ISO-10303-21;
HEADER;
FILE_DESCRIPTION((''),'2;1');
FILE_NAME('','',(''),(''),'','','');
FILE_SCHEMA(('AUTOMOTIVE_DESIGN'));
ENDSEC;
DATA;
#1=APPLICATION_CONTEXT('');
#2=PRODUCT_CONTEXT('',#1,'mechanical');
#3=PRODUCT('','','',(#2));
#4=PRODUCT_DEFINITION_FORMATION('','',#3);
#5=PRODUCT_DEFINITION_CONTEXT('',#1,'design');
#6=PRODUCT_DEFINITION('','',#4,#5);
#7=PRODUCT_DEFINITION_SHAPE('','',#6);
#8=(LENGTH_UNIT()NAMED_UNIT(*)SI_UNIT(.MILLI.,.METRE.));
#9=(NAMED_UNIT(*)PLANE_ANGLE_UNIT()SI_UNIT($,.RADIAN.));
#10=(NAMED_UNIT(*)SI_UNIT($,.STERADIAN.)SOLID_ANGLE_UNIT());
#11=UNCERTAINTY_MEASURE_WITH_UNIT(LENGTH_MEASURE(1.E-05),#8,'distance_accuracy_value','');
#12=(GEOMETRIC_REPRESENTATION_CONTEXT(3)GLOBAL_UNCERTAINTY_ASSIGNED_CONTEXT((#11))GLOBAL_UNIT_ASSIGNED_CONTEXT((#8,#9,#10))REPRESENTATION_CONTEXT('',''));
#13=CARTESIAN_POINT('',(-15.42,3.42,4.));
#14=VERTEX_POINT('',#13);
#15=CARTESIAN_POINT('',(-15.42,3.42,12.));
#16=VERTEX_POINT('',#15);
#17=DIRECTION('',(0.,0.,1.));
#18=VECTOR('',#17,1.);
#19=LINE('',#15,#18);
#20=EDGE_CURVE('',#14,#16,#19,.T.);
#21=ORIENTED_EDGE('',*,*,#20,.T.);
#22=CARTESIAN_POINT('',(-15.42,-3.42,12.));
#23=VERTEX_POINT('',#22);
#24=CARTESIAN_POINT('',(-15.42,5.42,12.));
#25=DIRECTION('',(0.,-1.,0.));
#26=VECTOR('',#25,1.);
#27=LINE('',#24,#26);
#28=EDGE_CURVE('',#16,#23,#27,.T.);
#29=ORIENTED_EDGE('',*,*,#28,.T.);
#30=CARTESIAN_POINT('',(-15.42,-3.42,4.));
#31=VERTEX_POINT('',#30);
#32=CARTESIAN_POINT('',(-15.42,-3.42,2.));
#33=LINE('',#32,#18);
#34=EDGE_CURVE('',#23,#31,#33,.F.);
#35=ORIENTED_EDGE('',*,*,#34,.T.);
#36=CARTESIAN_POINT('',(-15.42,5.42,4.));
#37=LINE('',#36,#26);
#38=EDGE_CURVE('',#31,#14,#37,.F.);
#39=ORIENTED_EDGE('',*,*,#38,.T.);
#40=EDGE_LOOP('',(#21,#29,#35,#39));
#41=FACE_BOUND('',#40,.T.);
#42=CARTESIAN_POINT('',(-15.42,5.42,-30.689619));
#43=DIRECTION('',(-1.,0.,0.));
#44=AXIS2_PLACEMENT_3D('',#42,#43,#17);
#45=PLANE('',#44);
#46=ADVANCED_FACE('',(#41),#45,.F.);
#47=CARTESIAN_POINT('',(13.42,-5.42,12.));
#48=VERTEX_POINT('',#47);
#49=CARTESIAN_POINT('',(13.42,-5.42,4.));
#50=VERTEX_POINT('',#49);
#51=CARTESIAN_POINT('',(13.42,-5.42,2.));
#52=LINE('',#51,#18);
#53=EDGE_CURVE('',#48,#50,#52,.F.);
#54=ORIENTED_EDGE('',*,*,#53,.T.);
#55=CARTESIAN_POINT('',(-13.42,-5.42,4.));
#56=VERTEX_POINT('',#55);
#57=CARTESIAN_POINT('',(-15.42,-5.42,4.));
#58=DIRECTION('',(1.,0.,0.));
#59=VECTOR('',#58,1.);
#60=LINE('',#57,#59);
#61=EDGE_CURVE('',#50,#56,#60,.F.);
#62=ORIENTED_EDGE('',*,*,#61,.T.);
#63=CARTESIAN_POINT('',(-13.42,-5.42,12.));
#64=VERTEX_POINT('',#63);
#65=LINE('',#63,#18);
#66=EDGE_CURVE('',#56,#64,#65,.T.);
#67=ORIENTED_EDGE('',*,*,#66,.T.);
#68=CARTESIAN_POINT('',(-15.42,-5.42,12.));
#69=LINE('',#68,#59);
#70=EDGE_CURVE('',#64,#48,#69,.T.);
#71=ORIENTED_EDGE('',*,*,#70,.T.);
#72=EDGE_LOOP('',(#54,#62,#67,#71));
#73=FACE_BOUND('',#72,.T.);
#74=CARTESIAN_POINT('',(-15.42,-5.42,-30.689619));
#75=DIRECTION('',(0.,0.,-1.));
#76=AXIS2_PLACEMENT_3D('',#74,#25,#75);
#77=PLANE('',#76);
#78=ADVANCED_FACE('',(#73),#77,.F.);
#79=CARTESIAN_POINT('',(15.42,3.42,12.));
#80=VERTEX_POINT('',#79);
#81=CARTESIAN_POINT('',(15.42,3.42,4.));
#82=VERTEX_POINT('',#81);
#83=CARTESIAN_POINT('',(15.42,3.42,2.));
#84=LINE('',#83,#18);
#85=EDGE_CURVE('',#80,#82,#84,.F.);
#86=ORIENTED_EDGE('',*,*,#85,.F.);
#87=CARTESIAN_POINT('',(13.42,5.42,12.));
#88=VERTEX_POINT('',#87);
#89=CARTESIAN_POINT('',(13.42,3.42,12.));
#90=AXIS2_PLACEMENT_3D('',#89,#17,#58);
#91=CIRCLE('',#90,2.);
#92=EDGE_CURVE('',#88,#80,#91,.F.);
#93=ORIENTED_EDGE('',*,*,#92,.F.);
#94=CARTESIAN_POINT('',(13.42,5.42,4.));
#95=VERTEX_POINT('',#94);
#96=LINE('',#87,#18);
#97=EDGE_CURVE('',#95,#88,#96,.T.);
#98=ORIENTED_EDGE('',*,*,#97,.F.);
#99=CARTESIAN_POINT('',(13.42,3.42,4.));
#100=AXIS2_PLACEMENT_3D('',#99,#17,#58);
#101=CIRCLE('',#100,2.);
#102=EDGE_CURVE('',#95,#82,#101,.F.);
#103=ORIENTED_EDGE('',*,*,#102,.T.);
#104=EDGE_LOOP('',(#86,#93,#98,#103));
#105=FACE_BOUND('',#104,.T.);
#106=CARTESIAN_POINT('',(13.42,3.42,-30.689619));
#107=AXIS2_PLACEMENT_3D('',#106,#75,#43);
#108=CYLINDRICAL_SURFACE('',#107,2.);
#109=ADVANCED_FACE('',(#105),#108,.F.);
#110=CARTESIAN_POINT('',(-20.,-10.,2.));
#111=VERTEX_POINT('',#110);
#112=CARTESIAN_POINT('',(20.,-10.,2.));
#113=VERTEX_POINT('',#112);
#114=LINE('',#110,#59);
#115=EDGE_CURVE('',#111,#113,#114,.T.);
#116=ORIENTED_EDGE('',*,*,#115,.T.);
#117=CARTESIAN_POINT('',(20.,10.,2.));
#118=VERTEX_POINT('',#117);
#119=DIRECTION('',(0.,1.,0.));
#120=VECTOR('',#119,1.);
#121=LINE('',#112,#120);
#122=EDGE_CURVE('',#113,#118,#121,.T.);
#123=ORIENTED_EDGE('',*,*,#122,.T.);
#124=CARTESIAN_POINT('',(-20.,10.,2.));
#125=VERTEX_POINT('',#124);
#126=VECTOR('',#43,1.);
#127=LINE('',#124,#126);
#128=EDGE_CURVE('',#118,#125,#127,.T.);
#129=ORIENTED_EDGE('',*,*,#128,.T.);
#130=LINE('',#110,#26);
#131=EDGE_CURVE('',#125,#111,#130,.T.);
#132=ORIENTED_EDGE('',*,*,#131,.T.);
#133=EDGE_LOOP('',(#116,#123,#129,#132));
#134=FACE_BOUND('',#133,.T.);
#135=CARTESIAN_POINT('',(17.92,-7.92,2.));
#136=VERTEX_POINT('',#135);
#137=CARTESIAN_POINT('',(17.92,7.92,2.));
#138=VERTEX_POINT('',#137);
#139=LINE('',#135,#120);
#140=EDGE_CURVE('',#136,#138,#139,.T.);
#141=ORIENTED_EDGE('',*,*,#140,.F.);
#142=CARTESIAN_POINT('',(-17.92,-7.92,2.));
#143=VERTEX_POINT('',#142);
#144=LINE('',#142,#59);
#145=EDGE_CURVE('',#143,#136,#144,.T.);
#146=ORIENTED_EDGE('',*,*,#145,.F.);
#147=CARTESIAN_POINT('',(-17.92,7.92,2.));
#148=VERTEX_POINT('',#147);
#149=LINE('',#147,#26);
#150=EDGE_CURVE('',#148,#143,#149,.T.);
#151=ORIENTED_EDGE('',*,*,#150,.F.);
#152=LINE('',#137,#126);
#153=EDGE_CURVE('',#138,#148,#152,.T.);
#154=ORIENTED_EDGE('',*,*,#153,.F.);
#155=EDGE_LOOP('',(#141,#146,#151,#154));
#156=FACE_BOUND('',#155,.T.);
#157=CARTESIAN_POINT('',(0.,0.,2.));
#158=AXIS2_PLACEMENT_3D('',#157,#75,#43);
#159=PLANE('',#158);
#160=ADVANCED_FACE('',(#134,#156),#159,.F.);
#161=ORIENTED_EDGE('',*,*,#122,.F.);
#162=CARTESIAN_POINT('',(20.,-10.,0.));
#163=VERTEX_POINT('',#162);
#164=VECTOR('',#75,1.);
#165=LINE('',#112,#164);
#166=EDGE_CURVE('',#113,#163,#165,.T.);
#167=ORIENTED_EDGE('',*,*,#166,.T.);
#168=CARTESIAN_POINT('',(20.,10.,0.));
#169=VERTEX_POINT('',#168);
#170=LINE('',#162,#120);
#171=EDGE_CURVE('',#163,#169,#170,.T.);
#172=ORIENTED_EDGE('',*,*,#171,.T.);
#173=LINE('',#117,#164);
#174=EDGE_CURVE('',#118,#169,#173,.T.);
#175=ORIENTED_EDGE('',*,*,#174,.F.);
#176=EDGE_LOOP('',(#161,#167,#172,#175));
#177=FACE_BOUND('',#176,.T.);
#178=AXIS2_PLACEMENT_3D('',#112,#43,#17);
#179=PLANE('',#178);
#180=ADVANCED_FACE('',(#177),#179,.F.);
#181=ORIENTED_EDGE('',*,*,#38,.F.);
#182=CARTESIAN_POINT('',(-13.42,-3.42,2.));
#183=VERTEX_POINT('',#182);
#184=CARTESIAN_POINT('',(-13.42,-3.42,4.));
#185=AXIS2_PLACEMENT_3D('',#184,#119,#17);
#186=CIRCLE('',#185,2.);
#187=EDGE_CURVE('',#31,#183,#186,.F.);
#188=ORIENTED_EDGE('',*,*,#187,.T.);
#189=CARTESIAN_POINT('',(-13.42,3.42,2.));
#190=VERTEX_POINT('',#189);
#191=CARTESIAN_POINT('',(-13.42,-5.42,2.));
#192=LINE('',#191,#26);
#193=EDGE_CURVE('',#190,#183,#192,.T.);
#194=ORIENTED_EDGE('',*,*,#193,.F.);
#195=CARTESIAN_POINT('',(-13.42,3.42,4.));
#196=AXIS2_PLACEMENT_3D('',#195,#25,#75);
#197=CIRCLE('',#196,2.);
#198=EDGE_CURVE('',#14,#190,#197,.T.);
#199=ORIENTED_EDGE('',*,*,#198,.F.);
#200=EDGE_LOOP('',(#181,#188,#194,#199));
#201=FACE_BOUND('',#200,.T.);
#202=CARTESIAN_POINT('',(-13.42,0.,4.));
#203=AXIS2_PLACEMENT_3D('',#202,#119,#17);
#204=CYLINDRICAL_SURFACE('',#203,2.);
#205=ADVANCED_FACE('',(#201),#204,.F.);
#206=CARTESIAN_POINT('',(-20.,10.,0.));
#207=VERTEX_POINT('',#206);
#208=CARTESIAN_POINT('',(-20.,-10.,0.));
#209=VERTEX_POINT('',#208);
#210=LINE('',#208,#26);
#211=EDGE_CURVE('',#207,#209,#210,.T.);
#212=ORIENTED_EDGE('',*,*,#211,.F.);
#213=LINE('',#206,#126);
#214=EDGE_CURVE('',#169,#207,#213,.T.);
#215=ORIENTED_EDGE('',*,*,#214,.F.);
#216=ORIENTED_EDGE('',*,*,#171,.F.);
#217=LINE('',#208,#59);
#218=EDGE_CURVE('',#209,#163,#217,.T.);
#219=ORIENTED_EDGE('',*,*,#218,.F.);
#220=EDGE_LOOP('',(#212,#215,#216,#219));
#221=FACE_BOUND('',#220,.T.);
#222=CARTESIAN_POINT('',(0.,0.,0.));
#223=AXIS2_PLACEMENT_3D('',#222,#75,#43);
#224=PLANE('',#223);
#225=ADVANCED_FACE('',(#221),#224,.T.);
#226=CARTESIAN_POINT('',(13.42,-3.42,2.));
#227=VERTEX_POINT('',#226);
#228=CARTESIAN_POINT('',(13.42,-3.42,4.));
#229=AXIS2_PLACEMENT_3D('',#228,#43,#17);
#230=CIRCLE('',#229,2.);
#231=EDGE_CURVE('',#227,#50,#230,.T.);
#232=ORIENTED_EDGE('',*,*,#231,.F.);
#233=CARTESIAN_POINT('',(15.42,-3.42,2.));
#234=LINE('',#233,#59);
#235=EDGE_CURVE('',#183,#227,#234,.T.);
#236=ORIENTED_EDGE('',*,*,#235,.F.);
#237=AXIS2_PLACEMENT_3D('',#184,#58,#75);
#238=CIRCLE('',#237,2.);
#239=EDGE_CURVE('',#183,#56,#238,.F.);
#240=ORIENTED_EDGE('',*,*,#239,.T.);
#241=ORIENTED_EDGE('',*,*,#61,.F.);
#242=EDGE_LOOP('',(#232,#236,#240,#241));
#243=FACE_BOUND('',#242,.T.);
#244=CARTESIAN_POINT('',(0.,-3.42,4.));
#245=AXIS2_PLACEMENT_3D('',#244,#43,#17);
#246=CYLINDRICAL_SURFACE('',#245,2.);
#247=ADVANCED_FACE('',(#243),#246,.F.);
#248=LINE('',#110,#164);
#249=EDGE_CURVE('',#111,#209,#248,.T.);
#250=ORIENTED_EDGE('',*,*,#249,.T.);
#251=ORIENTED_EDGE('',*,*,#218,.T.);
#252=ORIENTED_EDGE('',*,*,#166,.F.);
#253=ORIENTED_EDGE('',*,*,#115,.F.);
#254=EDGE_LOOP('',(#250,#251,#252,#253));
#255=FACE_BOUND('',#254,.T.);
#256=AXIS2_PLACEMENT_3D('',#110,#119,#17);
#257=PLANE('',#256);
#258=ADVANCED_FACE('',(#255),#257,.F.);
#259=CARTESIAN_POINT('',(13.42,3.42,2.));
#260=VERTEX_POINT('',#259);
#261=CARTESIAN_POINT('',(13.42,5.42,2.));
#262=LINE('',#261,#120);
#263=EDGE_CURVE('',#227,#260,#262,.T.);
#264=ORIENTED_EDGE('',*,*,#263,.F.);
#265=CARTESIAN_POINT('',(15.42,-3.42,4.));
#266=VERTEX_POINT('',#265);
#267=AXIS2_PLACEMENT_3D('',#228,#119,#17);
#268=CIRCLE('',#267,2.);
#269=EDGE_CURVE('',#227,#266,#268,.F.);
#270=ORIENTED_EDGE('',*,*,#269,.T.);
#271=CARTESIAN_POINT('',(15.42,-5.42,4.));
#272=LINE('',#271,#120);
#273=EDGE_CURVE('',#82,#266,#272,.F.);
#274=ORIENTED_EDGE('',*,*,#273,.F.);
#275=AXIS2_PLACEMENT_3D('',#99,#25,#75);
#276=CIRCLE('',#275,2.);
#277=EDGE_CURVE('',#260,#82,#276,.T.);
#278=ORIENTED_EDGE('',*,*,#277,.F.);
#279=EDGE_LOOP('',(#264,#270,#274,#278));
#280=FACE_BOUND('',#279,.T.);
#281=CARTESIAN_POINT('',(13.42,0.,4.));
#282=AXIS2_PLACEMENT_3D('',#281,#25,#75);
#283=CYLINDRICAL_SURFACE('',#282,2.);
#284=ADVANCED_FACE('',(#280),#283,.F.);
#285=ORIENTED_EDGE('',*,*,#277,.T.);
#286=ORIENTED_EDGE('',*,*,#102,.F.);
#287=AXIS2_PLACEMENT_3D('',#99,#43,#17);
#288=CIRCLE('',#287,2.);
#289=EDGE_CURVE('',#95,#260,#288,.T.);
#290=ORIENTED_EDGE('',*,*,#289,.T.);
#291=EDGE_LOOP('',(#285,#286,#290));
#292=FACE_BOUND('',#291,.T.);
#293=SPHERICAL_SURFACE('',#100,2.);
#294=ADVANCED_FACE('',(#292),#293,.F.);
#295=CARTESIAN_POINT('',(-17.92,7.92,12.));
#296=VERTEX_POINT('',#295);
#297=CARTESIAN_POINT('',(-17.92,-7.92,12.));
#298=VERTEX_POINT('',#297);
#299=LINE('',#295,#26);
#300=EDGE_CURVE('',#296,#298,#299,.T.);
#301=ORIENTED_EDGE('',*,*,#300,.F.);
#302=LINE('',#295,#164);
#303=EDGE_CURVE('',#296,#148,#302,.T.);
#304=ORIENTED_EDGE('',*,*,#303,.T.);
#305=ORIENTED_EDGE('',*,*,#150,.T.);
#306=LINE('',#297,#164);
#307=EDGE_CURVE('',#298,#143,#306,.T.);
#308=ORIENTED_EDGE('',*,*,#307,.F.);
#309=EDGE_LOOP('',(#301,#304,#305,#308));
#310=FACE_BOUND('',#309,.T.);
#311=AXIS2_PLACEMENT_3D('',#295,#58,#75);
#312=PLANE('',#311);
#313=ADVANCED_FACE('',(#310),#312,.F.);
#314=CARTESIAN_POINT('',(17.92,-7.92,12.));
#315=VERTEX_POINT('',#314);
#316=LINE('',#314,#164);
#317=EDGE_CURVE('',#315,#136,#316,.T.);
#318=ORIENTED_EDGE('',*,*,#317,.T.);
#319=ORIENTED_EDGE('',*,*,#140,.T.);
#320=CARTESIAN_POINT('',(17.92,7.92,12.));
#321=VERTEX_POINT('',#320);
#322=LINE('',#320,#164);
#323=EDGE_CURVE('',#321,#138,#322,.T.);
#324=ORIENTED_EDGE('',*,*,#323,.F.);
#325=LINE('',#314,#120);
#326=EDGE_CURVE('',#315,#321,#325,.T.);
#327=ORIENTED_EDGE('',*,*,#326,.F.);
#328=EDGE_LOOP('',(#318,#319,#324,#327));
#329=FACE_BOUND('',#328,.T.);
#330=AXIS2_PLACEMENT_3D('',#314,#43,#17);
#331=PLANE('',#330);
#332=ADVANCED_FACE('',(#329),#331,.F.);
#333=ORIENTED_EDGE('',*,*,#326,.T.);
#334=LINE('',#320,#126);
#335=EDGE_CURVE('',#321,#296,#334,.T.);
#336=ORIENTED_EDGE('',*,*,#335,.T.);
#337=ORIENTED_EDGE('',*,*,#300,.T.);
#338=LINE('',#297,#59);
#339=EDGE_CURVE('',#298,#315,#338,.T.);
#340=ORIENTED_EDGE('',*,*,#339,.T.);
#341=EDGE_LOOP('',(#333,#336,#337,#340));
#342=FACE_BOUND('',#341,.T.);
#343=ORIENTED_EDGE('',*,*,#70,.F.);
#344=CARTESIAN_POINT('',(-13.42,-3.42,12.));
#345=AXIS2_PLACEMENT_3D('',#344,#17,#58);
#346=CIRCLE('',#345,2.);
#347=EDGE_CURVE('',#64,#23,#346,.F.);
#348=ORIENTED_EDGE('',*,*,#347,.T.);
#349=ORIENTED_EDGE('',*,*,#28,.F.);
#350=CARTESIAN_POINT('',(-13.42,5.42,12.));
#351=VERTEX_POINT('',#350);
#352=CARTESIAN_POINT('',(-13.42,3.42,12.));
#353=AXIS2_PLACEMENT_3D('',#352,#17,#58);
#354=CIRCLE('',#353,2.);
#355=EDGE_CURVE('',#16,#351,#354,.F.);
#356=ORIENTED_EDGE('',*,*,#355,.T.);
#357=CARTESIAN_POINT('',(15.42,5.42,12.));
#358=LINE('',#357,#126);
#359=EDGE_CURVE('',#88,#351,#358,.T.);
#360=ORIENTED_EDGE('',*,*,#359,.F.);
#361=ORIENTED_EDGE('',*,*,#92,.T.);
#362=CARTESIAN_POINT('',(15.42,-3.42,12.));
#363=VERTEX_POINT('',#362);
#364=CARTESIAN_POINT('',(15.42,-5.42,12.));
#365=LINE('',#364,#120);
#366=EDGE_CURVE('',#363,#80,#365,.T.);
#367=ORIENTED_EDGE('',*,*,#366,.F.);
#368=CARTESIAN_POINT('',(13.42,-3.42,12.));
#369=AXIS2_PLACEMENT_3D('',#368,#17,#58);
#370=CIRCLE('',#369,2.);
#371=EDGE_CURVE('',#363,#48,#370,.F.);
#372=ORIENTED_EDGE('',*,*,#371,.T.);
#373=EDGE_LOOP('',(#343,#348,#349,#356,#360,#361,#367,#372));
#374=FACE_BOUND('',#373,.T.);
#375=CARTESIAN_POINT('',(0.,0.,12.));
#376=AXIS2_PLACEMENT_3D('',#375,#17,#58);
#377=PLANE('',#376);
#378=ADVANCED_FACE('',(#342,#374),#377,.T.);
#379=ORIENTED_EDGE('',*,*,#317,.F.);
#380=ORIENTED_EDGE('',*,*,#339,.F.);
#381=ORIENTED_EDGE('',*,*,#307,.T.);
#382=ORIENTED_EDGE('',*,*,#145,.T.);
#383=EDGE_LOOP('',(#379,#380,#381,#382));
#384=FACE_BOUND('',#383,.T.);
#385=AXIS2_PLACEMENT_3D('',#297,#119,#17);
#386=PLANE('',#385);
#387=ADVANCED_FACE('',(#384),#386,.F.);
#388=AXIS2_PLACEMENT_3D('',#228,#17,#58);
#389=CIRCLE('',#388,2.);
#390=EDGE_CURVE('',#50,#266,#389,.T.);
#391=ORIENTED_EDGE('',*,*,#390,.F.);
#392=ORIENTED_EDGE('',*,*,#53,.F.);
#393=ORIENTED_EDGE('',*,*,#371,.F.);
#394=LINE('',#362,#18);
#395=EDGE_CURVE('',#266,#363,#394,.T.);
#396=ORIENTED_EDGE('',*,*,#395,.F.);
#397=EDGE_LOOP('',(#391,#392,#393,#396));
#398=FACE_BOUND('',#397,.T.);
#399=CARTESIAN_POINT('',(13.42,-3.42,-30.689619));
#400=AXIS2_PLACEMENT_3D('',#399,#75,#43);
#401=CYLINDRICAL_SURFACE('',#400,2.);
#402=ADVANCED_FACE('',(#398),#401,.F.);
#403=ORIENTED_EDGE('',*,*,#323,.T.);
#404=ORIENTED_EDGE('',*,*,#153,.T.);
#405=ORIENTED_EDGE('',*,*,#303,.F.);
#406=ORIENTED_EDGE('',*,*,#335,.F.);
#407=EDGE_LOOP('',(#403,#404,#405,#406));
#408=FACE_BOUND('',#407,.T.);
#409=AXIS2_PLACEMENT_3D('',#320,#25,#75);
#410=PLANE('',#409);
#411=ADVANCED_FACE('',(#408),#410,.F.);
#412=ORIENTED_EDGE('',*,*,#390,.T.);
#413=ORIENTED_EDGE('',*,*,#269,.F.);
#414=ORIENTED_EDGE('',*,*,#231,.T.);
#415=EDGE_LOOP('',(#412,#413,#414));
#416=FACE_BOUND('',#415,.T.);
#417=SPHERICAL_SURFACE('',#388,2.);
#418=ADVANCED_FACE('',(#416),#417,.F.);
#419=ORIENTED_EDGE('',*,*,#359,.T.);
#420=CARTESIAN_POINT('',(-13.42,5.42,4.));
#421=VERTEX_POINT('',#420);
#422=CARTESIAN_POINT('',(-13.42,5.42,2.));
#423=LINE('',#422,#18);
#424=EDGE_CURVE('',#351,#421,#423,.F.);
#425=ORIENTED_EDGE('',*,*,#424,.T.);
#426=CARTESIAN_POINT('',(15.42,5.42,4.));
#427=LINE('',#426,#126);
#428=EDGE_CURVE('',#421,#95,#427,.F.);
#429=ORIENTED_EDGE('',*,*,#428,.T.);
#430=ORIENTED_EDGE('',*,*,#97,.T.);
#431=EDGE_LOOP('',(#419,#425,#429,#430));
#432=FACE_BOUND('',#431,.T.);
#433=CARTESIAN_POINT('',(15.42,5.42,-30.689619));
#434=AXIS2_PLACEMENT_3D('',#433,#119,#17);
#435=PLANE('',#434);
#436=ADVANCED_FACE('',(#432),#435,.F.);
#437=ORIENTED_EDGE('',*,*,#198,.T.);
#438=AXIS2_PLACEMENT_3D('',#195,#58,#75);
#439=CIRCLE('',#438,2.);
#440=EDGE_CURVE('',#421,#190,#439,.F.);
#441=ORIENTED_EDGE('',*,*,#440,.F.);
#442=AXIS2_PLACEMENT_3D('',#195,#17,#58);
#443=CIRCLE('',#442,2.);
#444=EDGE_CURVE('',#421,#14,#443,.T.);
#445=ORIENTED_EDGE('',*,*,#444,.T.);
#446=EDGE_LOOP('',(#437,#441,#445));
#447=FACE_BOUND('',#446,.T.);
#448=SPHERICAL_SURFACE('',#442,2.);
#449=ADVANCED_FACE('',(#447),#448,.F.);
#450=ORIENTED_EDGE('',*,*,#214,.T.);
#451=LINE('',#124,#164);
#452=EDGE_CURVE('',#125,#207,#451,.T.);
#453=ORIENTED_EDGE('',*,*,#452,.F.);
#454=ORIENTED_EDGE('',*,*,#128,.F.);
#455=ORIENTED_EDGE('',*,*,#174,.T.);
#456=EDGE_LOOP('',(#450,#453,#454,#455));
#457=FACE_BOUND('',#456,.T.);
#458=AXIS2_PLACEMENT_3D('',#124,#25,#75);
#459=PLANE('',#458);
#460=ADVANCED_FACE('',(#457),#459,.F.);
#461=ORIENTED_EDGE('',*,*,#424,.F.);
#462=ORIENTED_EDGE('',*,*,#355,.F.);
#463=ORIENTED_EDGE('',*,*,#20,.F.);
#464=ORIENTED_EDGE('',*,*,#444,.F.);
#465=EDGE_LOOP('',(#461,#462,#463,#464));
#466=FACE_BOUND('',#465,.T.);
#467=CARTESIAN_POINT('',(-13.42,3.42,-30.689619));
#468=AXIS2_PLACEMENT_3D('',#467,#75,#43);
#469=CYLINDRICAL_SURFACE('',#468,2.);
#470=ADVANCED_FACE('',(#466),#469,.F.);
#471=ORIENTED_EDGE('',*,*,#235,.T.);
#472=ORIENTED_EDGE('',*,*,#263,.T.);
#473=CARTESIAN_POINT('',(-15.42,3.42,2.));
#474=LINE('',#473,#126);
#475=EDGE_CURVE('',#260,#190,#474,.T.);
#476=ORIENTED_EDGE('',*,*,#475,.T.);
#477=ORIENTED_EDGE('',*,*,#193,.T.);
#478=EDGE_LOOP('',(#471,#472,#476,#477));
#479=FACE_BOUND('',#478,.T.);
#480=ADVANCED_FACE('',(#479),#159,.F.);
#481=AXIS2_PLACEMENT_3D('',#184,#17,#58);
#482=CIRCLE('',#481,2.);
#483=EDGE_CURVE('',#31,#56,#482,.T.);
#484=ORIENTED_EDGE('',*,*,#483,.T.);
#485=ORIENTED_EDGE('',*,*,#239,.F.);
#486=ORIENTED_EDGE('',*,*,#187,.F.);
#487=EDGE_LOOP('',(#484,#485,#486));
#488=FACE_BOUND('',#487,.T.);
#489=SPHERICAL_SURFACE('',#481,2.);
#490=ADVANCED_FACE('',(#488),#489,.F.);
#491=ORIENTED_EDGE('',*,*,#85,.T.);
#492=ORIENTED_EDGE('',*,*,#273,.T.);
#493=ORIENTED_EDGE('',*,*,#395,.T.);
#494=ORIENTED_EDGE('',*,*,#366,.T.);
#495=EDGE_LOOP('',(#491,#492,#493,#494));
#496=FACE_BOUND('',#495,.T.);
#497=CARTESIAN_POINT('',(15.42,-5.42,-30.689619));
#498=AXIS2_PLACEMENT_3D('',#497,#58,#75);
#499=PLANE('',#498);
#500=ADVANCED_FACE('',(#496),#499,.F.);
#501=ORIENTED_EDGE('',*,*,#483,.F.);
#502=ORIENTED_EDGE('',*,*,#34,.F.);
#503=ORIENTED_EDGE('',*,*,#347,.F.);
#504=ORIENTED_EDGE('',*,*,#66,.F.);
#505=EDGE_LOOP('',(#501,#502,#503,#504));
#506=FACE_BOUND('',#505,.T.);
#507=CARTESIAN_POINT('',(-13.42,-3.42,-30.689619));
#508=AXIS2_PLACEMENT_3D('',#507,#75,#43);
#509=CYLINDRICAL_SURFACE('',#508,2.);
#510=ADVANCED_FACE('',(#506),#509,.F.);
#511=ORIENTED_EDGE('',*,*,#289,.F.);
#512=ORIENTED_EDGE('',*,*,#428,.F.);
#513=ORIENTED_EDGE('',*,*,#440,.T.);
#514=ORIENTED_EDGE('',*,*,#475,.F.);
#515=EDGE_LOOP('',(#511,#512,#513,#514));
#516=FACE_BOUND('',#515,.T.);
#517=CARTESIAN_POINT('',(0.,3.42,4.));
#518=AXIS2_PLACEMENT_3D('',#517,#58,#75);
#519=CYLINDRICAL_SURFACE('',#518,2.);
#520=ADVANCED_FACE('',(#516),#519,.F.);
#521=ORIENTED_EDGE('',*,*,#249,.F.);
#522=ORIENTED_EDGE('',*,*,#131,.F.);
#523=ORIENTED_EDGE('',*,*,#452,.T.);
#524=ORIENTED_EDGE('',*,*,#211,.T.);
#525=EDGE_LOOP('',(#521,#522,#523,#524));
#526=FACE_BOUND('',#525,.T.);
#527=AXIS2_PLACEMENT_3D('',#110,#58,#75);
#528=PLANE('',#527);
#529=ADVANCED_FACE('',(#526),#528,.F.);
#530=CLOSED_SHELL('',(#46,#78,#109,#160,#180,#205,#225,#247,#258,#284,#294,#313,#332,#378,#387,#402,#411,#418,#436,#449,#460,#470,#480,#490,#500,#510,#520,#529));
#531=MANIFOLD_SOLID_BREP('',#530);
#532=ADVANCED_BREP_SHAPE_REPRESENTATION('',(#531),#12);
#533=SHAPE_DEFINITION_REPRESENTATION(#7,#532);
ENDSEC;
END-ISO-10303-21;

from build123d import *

# Parameters (mm, degrees)
SKETCH1_W           = 40
SKETCH1_H           = 20
BOSS_EXTRUDE1_DEPTH = 2
SKETCH2_W           = 35.84
SKETCH2_H           = 15.84
BOSS_EXTRUDE2_DEPTH = 10
SKETCH4_W           = 30.84
SKETCH4_H           = 10.84
CUT_EXTRUDE1_DEPTH  = 10
FILLET1_R           = 2


with BuildPart() as part:
    # Sketch1 → Boss-Extrude1 (new body)
    with BuildSketch(Plane.XY):
        Rectangle(SKETCH1_W, SKETCH1_H)
    extrude(amount=BOSS_EXTRUDE1_DEPTH)

    # Sketch2 → Boss-Extrude2 (add)
    with BuildSketch(Plane.XY.offset(2)):
        Rectangle(SKETCH2_W, SKETCH2_H)
    extrude(amount=BOSS_EXTRUDE2_DEPTH)

    # Sketch4 → Cut-Extrude1 (cut)
    with BuildSketch(Plane.XY.offset(12)):
        Rectangle(SKETCH4_W, SKETCH4_H)
    extrude(amount=-CUT_EXTRUDE1_DEPTH, mode=Mode.SUBTRACT)

    # Fillet1
    fillet1_edges = [part.edges().sort_by_distance(p)[0] for p in [
        (-15.42, 0, 2),
        (-15.42, -5.42, 7),
        (0, -5.42, 2),
        (15.42, -5.42, 7),
        (15.42, 0, 2),
        (15.42, 5.42, 7),
        (0, 5.42, 2),
        (-15.42, 5.42, 7),
    ]]
    fillet(fillet1_edges, radius=FILLET1_R)


solid = part.part
